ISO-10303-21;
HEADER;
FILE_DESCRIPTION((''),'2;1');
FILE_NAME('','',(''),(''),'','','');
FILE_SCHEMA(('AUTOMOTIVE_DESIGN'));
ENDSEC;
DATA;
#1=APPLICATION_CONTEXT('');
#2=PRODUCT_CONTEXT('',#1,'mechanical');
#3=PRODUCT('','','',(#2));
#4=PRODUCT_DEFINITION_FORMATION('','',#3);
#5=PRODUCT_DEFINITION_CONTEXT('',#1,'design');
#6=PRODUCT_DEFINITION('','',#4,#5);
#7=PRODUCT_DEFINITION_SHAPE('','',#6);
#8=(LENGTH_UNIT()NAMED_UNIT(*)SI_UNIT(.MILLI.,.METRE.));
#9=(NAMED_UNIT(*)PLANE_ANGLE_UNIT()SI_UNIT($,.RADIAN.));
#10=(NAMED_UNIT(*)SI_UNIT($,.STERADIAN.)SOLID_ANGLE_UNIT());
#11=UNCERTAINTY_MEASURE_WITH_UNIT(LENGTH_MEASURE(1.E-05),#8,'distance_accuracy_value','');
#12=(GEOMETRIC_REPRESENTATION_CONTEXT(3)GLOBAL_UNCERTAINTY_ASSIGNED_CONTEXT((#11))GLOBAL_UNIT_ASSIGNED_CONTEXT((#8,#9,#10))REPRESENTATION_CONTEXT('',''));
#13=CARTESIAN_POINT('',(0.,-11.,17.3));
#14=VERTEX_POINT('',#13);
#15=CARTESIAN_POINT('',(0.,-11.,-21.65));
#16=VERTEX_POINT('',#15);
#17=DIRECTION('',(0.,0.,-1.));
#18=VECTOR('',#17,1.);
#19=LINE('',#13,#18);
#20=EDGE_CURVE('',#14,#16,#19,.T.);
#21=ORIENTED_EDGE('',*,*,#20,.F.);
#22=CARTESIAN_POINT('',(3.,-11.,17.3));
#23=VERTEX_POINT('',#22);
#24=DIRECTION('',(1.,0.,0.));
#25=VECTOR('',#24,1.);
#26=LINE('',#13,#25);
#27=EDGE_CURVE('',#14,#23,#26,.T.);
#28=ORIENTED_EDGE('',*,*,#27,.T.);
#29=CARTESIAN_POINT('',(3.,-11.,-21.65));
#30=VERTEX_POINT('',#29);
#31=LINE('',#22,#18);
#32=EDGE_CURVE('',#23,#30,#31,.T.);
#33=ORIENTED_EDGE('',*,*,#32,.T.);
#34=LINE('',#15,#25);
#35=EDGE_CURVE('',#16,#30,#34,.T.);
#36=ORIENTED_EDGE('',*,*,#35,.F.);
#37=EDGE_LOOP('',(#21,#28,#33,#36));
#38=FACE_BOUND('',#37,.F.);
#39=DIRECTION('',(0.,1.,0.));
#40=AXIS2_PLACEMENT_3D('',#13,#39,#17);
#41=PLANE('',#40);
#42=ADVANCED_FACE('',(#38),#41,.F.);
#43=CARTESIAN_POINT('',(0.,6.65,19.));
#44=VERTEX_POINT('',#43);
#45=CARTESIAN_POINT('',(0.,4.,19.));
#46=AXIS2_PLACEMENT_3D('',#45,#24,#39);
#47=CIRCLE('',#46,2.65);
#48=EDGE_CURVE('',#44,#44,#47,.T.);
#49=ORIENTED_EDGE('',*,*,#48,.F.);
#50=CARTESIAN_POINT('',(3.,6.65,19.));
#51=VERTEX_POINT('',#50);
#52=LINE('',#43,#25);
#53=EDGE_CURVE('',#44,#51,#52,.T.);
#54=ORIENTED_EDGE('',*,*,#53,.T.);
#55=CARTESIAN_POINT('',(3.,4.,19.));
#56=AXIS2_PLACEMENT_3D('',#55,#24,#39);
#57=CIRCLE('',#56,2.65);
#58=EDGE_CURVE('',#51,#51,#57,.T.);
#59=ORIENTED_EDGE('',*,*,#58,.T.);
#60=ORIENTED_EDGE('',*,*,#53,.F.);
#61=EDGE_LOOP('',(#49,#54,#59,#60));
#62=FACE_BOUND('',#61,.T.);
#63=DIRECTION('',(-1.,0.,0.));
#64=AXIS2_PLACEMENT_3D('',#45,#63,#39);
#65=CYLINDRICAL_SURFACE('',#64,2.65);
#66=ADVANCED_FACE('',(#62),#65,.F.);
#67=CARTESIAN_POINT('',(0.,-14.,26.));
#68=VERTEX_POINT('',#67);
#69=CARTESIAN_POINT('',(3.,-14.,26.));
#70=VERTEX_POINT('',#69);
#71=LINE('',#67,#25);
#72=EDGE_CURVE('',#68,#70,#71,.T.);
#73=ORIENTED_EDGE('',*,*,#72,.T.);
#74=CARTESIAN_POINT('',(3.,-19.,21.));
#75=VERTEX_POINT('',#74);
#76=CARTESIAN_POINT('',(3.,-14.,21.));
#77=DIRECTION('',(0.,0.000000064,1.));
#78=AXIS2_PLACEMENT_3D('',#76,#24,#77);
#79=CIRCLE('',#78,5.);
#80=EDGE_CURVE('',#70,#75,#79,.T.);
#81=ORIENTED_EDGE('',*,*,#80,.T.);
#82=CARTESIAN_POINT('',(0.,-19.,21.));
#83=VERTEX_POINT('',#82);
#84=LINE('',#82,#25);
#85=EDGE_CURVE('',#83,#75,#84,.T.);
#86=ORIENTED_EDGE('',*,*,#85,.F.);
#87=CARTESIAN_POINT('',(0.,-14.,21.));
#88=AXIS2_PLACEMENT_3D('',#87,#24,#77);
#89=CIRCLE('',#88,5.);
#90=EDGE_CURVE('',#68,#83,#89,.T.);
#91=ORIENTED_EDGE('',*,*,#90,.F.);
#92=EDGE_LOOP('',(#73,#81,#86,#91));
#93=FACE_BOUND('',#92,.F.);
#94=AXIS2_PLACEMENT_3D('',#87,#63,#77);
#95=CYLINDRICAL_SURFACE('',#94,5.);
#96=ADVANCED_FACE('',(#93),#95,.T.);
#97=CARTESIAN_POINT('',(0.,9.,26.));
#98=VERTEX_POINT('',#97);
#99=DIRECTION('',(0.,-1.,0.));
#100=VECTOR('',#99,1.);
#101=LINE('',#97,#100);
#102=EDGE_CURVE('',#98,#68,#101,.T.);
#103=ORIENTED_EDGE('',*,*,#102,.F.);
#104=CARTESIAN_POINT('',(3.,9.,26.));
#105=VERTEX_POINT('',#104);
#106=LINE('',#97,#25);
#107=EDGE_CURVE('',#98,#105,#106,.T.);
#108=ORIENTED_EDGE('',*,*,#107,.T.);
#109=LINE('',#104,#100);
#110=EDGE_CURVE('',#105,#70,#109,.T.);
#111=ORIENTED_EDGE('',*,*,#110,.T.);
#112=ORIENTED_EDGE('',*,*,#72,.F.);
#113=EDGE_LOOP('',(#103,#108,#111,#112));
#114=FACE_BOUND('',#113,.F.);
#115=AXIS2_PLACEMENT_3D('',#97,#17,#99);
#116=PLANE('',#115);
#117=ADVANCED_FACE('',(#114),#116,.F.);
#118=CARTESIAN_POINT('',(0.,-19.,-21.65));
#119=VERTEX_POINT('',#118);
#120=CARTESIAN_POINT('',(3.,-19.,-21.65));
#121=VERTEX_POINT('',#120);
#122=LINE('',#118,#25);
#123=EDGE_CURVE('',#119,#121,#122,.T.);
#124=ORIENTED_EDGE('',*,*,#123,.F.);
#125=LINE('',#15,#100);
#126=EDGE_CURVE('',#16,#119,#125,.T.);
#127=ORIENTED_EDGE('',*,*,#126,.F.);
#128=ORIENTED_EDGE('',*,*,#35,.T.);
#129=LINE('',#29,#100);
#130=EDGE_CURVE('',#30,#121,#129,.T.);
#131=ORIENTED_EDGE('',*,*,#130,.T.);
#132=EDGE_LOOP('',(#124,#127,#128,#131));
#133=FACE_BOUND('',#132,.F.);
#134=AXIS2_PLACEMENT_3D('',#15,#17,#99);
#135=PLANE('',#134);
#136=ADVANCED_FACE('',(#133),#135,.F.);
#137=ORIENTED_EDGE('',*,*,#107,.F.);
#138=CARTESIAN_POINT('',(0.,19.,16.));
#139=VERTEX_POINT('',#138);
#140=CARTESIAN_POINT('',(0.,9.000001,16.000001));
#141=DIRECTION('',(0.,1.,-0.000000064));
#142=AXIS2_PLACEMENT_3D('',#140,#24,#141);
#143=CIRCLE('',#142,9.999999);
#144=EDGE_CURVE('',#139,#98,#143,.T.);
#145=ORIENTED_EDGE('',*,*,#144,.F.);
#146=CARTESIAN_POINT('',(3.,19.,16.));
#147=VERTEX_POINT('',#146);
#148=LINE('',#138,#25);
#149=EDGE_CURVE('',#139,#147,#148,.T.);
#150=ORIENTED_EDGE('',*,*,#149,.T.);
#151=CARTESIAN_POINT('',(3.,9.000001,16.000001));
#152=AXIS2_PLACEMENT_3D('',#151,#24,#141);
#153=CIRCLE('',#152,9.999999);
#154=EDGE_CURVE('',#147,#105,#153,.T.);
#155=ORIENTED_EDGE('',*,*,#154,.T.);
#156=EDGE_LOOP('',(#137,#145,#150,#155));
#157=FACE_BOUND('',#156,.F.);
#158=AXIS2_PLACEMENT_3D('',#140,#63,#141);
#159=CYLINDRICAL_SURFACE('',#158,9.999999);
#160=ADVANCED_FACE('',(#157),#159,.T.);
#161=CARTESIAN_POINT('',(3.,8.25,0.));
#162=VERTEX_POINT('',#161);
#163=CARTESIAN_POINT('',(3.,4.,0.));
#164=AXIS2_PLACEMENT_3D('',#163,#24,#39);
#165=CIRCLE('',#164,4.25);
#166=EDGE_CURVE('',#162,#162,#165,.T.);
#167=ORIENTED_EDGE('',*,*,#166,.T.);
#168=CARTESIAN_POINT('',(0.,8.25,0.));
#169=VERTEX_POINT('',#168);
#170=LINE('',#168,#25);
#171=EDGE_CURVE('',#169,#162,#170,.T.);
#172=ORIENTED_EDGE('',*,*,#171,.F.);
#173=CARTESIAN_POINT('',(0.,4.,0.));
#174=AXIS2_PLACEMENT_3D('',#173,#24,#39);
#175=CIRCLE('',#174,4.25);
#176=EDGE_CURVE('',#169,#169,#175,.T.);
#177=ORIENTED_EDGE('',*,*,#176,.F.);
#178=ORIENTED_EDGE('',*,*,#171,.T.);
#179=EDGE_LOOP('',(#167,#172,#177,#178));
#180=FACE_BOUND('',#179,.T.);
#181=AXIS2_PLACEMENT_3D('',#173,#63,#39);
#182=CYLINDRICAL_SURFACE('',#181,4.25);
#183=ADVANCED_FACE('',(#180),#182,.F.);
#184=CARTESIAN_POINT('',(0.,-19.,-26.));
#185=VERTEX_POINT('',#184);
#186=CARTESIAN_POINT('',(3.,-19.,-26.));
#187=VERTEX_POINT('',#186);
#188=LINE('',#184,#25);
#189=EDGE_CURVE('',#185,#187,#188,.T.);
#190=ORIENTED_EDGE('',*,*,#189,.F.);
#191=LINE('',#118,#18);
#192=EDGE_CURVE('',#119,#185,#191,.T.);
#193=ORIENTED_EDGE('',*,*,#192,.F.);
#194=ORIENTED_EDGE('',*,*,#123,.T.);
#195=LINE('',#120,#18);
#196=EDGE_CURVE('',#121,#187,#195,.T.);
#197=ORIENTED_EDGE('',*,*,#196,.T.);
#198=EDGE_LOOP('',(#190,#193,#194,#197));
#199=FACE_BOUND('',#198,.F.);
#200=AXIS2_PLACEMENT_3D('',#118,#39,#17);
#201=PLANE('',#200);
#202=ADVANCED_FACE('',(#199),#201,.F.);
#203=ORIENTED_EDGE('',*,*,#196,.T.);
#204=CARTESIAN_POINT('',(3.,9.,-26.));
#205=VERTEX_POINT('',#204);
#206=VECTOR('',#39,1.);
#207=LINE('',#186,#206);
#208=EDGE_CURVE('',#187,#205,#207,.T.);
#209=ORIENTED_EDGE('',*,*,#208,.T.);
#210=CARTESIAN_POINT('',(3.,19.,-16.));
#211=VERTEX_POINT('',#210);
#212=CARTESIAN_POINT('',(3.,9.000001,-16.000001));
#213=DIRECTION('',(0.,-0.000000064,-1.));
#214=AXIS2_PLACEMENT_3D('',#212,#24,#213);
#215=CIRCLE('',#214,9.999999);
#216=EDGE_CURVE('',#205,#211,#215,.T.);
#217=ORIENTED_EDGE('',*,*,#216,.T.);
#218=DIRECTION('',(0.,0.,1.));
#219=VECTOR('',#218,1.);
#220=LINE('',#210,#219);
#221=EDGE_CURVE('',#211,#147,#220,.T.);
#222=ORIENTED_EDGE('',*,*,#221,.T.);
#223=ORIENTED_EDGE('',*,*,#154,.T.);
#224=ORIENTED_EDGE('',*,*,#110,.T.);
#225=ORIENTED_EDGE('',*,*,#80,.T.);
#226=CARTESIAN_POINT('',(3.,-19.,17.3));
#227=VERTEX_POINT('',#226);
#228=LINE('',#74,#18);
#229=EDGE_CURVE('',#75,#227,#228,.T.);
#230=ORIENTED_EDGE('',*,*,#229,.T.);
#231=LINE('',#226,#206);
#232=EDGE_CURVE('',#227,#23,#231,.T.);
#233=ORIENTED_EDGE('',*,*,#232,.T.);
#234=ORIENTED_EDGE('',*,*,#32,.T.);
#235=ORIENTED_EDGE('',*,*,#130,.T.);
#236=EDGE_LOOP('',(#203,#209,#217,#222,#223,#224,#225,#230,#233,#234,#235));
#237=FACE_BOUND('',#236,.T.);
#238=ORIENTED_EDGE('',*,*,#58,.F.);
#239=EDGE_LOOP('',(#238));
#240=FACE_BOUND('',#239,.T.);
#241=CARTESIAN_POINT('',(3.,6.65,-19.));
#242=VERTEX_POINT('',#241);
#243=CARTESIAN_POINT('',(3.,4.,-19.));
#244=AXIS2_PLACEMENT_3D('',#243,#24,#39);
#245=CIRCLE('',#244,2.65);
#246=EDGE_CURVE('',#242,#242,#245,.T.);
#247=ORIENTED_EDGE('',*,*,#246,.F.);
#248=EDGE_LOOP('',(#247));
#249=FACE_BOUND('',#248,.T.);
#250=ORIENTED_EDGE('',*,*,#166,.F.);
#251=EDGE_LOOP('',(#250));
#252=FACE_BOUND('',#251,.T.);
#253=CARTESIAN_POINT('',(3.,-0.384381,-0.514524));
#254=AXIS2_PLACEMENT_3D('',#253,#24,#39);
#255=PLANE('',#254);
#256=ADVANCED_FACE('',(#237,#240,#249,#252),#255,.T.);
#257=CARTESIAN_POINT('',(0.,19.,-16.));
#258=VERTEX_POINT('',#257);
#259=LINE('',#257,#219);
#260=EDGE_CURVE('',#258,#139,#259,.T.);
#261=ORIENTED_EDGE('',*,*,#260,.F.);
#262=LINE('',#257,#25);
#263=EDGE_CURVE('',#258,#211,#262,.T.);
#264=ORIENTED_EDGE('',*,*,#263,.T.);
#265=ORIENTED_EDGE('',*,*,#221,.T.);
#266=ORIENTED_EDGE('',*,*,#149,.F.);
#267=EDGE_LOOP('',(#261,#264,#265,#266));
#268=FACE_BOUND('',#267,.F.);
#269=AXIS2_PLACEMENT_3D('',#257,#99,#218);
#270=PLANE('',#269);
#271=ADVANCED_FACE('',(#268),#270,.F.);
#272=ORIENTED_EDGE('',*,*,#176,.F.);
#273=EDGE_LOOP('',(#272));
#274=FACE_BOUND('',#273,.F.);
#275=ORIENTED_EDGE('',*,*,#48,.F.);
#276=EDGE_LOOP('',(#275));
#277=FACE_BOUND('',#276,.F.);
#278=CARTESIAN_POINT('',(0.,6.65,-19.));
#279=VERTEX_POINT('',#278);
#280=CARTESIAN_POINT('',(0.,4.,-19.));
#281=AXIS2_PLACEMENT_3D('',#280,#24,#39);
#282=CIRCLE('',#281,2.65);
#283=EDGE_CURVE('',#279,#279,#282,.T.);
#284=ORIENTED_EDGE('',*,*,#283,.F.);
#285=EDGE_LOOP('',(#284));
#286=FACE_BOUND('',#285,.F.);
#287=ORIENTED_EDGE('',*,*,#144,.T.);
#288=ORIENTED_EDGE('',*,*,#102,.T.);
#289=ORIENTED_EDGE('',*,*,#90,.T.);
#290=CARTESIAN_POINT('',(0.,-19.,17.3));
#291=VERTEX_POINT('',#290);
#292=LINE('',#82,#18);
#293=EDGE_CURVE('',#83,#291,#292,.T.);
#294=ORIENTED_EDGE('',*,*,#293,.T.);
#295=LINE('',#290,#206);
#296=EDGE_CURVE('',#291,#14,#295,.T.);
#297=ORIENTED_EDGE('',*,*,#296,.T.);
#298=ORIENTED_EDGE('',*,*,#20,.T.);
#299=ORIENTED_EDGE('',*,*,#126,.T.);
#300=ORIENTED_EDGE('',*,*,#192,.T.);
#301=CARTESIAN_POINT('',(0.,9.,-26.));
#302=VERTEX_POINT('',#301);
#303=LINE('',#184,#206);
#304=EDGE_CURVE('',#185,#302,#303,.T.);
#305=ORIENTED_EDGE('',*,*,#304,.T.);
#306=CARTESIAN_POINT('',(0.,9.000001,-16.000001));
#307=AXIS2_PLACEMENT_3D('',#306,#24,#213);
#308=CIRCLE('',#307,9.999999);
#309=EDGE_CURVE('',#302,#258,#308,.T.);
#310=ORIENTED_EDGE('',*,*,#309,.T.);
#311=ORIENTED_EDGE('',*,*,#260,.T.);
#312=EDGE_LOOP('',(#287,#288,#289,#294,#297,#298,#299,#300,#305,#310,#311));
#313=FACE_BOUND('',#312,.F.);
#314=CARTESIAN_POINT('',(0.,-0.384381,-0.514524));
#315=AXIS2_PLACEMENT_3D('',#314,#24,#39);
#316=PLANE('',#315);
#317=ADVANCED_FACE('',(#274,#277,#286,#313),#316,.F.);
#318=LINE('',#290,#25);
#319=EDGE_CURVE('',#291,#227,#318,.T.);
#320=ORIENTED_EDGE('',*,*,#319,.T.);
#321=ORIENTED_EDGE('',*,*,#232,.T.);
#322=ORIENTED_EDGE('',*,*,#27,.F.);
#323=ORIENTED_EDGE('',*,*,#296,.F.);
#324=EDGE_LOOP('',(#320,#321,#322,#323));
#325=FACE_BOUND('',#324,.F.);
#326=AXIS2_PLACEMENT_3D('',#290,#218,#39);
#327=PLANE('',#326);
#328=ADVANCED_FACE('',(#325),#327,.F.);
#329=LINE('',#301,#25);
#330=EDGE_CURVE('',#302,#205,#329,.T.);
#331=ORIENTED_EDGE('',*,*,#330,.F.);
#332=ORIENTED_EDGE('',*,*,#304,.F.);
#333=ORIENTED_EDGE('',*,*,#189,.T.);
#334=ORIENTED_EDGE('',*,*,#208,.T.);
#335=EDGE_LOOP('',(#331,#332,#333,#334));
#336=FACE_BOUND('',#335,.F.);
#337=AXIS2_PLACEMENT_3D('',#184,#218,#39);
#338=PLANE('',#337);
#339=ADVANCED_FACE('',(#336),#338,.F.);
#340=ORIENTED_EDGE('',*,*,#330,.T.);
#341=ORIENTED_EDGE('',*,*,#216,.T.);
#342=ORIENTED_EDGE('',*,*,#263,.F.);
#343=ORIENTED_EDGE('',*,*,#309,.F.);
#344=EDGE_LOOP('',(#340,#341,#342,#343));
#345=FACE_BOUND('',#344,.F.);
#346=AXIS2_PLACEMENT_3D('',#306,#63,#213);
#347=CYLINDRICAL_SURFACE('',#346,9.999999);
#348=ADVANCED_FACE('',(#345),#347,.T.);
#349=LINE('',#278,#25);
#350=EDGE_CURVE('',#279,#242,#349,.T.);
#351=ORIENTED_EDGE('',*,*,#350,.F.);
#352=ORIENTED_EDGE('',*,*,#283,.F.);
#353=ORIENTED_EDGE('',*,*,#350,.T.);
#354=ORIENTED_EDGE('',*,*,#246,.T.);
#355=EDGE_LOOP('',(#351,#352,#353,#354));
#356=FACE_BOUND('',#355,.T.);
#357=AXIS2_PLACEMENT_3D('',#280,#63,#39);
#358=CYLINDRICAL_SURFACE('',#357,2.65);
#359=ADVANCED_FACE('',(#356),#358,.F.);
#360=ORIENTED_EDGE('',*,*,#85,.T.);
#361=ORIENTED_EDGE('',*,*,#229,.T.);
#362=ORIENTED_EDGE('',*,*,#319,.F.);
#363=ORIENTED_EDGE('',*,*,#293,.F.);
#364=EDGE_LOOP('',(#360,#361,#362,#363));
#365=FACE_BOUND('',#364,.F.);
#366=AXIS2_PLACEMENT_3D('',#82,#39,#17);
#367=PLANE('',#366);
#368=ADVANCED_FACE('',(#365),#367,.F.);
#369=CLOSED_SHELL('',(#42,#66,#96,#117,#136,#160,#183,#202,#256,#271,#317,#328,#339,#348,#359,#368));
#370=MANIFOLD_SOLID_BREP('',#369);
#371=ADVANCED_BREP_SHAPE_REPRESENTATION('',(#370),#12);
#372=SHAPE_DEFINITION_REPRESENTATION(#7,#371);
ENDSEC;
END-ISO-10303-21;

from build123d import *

# Parameters (mm, degrees)
F0_R     = 2.65
F0_R_2   = 4.25
F1_DEPTH = 3


with BuildPart() as f1:
    # F0 (on Right) → F1 (new body)
    with BuildSketch(Plane.YZ):
        with BuildLine():
            ThreePointArc((-14, 26), (-17.535534, 24.535534), (-19, 21))
            Line((-19, 21), (-19, 17.3))
            Line((-19, 17.3), (-11, 17.3))
            Line((-11, 17.3), (-11, -21.65))
            Line((-11, -21.65), (-19, -21.65))
            Line((-19, -21.65), (-19, -26))
            Line((-19, -26), (9, -26))
            ThreePointArc((9, -26), (16.071068, -23.071068), (19, -16))
            Line((19, -16), (19, 16))
            ThreePointArc((19, 16), (16.071068, 23.071068), (9, 26))
            Line((9, 26), (-14, 26))
        make_face()
        with Locations((4, -19)):
            Circle(F0_R, mode=Mode.SUBTRACT)
        with Locations((4, 0)):
            Circle(F0_R_2, mode=Mode.SUBTRACT)
        with Locations((4, 19)):
            Circle(F0_R, mode=Mode.SUBTRACT)
    extrude(amount=F1_DEPTH)


solid = f1.part
